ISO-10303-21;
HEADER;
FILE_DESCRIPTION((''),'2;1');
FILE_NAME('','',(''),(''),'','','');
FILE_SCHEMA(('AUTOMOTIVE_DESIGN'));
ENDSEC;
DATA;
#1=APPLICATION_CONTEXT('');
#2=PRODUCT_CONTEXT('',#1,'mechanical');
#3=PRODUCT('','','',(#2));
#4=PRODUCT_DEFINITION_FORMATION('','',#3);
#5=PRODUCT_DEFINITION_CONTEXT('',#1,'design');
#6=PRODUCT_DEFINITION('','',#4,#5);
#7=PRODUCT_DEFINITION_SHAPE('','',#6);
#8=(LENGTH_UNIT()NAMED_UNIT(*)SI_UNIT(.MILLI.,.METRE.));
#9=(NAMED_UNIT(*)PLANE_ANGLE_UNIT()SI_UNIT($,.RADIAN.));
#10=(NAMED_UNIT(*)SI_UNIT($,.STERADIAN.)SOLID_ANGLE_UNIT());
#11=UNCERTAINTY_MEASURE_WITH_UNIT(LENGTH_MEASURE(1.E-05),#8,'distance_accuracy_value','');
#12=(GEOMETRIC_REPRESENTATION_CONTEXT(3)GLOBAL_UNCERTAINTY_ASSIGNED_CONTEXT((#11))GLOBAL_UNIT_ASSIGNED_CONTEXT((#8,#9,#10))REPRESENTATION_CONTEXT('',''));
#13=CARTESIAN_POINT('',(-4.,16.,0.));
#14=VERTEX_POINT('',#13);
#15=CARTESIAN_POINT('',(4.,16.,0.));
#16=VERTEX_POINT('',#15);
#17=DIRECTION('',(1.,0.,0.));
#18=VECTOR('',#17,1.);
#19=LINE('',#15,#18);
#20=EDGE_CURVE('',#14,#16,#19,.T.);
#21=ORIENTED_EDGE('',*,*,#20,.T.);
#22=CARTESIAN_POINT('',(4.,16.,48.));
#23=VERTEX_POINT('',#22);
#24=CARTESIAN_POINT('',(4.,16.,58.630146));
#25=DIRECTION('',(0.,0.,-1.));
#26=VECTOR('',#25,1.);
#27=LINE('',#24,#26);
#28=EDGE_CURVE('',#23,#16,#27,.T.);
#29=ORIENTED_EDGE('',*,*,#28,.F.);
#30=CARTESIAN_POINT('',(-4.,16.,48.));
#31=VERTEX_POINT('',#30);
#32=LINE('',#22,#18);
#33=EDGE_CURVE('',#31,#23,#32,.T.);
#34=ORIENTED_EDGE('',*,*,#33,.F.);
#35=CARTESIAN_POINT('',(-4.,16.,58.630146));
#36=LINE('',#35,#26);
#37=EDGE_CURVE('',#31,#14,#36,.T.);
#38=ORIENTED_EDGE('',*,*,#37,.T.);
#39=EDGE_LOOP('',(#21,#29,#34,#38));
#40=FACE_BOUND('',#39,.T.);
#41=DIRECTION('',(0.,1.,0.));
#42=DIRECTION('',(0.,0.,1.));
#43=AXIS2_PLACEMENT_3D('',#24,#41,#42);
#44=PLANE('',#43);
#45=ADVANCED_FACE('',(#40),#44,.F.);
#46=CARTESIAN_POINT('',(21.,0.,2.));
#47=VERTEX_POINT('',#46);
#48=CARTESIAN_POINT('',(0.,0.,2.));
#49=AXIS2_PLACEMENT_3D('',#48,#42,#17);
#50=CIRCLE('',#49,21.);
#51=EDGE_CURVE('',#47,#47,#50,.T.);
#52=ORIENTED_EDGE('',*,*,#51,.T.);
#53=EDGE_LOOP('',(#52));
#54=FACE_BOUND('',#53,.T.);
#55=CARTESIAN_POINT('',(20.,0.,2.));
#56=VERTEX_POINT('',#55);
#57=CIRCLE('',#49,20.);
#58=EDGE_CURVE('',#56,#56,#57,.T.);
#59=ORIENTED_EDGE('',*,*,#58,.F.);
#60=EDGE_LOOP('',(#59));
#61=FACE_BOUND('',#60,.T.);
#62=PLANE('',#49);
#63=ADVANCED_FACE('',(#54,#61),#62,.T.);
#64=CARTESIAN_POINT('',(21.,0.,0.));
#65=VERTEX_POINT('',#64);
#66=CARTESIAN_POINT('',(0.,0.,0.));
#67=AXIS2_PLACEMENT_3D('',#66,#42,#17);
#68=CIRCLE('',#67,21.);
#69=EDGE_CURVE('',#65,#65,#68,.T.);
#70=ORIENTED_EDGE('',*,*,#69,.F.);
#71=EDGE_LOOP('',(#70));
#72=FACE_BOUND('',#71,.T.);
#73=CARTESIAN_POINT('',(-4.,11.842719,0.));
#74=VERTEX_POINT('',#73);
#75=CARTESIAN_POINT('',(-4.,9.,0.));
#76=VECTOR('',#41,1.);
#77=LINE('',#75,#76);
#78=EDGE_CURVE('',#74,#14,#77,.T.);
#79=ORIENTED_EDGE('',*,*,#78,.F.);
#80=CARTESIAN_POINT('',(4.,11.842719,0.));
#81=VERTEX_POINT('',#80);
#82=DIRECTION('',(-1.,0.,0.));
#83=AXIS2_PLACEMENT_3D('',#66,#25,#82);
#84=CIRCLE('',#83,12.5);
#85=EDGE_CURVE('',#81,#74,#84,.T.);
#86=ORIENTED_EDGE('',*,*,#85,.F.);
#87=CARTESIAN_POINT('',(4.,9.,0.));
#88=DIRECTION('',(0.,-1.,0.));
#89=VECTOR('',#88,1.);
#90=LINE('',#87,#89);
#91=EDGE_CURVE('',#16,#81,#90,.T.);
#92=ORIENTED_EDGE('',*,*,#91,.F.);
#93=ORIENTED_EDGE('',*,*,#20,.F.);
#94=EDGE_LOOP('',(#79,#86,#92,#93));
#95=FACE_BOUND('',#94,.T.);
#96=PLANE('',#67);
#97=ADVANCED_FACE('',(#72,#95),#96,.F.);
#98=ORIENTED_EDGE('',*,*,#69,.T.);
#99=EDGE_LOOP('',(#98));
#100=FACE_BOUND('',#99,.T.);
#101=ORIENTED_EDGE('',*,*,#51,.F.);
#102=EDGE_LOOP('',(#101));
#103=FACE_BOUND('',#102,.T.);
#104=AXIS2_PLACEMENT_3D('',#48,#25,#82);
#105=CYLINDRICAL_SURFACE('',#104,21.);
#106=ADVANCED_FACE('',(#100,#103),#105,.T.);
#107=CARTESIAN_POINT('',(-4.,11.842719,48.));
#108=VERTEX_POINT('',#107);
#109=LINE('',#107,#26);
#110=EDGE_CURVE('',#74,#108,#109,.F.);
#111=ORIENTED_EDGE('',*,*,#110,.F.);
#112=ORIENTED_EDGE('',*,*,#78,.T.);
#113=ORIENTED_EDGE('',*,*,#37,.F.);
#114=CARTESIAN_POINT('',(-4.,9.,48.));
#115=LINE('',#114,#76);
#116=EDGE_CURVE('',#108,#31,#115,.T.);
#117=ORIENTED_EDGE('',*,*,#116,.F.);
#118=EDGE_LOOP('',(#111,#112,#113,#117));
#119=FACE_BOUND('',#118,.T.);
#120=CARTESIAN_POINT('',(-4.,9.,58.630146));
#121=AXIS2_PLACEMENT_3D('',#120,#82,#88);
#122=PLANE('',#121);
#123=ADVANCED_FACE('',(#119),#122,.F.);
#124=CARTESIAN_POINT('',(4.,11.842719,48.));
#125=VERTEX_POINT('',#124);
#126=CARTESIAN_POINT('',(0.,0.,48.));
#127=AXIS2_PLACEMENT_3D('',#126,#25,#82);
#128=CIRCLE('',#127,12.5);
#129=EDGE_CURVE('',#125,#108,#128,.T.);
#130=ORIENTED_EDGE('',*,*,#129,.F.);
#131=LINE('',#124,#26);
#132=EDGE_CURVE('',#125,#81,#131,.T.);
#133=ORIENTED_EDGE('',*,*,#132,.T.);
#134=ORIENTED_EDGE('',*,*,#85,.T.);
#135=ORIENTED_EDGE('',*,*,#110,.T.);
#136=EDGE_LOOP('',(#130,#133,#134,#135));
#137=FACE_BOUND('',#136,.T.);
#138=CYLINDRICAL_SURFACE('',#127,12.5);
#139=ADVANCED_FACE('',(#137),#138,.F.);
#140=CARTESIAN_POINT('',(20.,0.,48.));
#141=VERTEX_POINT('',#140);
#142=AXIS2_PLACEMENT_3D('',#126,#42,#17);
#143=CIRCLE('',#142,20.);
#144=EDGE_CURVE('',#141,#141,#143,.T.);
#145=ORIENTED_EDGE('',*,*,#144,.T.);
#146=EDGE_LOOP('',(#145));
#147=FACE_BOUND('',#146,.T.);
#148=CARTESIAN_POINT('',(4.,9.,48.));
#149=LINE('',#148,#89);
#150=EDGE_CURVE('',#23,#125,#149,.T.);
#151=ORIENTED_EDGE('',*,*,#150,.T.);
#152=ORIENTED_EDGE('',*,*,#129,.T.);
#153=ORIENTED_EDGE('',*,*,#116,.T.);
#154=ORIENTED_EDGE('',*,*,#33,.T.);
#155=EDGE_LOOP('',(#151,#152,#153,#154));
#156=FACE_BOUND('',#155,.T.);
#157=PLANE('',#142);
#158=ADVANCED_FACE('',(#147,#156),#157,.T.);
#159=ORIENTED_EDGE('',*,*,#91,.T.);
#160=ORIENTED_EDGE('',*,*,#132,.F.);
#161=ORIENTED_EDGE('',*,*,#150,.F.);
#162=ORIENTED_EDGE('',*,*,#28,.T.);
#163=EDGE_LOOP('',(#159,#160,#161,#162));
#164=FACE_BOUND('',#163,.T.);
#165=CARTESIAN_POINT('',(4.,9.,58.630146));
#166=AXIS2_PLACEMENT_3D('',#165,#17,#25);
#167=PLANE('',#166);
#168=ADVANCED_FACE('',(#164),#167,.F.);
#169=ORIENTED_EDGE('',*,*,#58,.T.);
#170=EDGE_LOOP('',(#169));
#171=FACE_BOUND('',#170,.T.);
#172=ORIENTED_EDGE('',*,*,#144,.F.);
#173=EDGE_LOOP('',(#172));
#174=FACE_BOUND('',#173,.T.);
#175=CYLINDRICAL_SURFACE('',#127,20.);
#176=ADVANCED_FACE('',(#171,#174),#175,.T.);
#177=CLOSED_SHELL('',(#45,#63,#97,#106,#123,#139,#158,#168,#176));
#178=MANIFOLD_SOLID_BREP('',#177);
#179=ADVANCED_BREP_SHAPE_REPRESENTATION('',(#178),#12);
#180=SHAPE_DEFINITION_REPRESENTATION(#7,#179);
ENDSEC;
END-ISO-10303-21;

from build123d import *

# Parameters (mm, degrees)
SKETCH1_R           = 21
BOSS_EXTRUDE1_DEPTH = 2
SKETCH2_R           = 20
BOSS_EXTRUDE2_DEPTH = 46
SKETCH3_R           = 12.5
CUT_EXTRUDE1_DEPTH  = 49
SKETCH4_W           = 8
SKETCH4_H           = 7
CUT_EXTRUDE2_DEPTH  = 48


with BuildPart() as part:
    # Sketch1 → Boss-Extrude1 (new body)
    with BuildSketch(Plane.XY):
        Circle(SKETCH1_R)
    extrude(amount=BOSS_EXTRUDE1_DEPTH)

    # Sketch2 → Boss-Extrude2 (add)
    with BuildSketch(Plane.XY.offset(2)):
        Circle(SKETCH2_R)
    extrude(amount=BOSS_EXTRUDE2_DEPTH)

    # Sketch3 → Cut-Extrude1 (cut, through all)
    with BuildSketch(Plane(origin=(0, 0, 0), x_dir=(-1, 0, 0), z_dir=(0, 0, -1))):
        Circle(SKETCH3_R)
    extrude(amount=-CUT_EXTRUDE1_DEPTH, mode=Mode.SUBTRACT)

    # Sketch4 → Cut-Extrude2 (cut)
    with BuildSketch(Plane(origin=(0, 0, 0), x_dir=(-1, 0, 0), z_dir=(0, 0, -1))):
        with Locations((0, 12.5)):
            Rectangle(SKETCH4_W, SKETCH4_H)
    extrude(amount=-CUT_EXTRUDE2_DEPTH, mode=Mode.SUBTRACT)


solid = part.part
